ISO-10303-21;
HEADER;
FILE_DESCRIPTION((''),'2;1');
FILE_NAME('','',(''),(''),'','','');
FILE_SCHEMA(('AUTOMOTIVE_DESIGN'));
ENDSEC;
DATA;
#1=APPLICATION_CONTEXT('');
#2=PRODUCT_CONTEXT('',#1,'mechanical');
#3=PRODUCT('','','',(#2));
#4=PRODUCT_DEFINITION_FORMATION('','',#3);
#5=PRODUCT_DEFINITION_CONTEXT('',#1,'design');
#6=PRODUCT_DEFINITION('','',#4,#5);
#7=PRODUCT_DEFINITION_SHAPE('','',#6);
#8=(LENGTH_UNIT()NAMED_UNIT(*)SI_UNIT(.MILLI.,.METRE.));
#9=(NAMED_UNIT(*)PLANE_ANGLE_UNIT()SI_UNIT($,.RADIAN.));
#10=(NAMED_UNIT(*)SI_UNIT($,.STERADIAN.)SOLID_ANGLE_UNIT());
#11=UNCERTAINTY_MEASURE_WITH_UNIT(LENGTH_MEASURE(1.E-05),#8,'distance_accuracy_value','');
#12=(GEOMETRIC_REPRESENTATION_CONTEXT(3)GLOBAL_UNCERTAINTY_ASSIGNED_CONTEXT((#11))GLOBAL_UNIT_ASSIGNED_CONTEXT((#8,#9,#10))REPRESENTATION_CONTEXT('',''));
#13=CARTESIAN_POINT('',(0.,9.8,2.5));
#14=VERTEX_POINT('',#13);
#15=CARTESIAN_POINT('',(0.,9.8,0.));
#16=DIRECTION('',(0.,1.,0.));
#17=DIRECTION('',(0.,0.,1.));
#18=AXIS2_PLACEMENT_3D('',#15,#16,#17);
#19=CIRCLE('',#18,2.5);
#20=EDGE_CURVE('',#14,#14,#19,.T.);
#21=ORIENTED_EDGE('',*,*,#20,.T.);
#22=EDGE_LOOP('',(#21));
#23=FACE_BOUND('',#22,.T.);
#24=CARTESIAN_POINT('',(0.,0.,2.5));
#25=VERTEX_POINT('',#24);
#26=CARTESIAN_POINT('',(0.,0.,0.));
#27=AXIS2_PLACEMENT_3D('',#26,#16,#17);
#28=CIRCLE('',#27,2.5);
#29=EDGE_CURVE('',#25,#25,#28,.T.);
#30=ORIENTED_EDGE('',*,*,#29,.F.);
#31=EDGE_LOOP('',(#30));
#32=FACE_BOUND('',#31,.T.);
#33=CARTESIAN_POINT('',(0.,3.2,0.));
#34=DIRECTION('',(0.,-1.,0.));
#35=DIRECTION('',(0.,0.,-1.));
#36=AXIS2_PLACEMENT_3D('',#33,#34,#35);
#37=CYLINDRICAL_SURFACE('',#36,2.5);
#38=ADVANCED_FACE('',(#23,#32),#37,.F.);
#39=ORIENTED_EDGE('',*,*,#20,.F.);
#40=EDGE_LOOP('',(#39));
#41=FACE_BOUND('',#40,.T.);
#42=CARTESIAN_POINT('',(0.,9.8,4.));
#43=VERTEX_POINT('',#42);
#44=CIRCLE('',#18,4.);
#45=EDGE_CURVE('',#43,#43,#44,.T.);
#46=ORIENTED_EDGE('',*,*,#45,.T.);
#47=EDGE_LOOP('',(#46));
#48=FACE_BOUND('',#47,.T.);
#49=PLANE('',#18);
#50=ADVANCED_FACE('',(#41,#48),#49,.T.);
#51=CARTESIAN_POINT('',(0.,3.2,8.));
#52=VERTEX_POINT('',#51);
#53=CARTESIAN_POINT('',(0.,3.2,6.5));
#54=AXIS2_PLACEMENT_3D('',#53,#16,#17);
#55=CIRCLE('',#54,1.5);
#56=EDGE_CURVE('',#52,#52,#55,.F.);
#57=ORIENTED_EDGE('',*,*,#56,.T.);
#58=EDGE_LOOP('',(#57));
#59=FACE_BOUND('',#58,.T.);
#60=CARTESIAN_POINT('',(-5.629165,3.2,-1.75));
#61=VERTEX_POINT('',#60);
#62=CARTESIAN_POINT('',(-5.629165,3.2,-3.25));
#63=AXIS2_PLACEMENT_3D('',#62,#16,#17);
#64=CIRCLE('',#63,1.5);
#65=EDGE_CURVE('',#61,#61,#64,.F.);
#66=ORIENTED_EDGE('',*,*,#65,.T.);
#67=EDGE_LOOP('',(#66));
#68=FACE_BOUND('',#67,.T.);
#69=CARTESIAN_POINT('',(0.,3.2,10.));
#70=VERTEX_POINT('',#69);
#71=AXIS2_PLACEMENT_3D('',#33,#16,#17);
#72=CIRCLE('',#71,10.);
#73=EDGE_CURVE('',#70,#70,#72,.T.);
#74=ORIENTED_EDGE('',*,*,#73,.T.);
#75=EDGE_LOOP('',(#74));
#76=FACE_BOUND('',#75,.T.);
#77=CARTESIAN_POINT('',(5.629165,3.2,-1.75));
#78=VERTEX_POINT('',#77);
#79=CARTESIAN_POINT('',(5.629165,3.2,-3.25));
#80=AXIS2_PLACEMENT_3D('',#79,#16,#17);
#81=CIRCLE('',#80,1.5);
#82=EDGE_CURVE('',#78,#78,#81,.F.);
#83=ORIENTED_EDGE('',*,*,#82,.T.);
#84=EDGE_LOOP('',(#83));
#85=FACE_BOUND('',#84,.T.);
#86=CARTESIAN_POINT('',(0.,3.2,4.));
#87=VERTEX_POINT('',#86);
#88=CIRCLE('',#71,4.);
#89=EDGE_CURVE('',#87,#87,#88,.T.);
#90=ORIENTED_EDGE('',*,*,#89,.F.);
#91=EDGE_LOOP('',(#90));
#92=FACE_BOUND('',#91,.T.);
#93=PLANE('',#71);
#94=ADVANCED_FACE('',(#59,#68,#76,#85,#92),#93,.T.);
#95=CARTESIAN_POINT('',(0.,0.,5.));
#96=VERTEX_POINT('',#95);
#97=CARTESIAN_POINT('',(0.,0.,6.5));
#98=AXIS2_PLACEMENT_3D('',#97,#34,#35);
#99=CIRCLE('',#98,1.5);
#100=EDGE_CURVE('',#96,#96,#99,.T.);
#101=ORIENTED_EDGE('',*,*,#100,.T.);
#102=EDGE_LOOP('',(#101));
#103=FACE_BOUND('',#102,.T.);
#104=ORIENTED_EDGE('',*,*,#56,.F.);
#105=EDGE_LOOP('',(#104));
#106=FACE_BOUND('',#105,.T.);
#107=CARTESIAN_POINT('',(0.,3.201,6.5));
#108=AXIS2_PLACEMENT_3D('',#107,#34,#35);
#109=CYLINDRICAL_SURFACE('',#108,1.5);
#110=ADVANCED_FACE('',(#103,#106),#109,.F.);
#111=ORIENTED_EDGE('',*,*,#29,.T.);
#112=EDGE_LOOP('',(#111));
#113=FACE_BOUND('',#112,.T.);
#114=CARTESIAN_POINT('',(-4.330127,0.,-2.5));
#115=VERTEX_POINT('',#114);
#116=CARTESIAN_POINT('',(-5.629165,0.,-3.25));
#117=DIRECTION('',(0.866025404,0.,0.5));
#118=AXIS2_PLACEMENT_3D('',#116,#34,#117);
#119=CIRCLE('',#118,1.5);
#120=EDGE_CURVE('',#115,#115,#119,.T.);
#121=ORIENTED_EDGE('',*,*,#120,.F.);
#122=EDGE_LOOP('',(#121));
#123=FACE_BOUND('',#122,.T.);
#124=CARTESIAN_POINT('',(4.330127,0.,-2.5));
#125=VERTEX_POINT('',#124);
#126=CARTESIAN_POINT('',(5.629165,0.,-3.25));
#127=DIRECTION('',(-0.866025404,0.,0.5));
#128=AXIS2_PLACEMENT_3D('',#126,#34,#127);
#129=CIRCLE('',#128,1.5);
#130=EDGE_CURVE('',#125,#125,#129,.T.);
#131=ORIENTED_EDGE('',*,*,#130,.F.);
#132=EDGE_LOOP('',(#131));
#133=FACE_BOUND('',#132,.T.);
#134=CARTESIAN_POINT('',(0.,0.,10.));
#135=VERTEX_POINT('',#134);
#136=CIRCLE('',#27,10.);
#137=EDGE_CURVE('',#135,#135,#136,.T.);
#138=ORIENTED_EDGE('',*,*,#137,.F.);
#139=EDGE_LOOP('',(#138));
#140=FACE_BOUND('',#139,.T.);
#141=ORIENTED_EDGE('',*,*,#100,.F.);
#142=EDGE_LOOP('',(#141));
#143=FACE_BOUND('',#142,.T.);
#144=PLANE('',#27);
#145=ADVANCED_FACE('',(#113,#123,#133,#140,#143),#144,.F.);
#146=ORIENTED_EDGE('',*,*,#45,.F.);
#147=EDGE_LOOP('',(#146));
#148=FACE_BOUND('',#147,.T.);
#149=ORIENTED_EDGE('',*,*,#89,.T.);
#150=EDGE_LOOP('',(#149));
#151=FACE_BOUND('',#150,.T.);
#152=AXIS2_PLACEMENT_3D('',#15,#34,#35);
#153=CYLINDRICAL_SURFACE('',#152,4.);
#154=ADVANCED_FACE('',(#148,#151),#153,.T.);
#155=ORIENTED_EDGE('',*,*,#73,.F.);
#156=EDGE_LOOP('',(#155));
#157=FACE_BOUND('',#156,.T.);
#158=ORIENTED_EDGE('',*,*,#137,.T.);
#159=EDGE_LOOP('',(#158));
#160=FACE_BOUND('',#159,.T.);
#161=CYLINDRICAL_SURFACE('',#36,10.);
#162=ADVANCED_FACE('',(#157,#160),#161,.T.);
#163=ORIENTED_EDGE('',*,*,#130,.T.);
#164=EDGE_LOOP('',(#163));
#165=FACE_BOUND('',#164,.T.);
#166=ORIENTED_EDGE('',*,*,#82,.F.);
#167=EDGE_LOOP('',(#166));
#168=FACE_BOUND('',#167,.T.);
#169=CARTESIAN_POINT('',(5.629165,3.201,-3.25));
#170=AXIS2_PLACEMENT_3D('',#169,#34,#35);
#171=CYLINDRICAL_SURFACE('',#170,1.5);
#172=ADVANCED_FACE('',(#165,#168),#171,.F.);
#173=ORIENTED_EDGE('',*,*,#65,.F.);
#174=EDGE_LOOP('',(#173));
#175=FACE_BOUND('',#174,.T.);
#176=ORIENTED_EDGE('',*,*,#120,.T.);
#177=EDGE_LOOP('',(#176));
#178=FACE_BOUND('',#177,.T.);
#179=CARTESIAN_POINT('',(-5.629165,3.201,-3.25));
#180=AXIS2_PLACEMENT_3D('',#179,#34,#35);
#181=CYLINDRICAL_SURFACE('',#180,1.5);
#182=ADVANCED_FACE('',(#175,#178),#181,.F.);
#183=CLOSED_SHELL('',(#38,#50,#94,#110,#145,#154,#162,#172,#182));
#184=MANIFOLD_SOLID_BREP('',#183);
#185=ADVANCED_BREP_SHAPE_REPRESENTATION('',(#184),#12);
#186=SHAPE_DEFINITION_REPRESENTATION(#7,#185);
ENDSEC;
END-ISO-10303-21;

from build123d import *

# Parameters (mm, degrees)
ESBO_O1_R                = 10
ESBO_O1_R_2              = 2.5
RESSALTO_EXTRUS_O1_DEPTH = 3.2
ESBO_O2_R                = 1.5
CORTE_EXTRUS_O1_DEPTH    = 3.2
PADR_OCIRCULAR1_COUNT    = 3
ESBO_O3_R                = 4
ESBO_O3_R_2              = 2.5
RESSALTO_EXTRUS_O2_DEPTH = 6.6


with BuildPart() as part:
    # Esboço1 → Ressalto-extrusão1 (new body)
    with BuildSketch(Plane(origin=(0, 0, 0), x_dir=(1, 0, 0), z_dir=(0, 1, 0))):
        Circle(ESBO_O1_R)
        Circle(ESBO_O1_R_2, mode=Mode.SUBTRACT)
    extrude(amount=RESSALTO_EXTRUS_O1_DEPTH)

    # Esboço2 → Corte-extrusão1 (cut)
    with BuildSketch(Plane.XZ):
        with Locations((0, 6.5)):
            Circle(ESBO_O2_R)
    corte_extrus_o1 = extrude(amount=-CORTE_EXTRUS_O1_DEPTH, mode=Mode.SUBTRACT)

    # PadrãoCircular1: Corte-extrusão1 ×3 about axis
    padr_ocircular1_axis = Axis((0, 0, 0), (0, 1, 0))
    for i in range(1, PADR_OCIRCULAR1_COUNT):
        add(corte_extrus_o1.rotate(padr_ocircular1_axis, i * 360 / PADR_OCIRCULAR1_COUNT), mode=Mode.SUBTRACT)

    # Esboço3 → Ressalto-extrusão2 (add)
    with BuildSketch(Plane(origin=(0, 3.2, 0), x_dir=(1, 0, 0), z_dir=(0, 1, 0))):
        Circle(ESBO_O3_R)
        Circle(ESBO_O3_R_2, mode=Mode.SUBTRACT)
    extrude(amount=RESSALTO_EXTRUS_O2_DEPTH)


solid = part.part
